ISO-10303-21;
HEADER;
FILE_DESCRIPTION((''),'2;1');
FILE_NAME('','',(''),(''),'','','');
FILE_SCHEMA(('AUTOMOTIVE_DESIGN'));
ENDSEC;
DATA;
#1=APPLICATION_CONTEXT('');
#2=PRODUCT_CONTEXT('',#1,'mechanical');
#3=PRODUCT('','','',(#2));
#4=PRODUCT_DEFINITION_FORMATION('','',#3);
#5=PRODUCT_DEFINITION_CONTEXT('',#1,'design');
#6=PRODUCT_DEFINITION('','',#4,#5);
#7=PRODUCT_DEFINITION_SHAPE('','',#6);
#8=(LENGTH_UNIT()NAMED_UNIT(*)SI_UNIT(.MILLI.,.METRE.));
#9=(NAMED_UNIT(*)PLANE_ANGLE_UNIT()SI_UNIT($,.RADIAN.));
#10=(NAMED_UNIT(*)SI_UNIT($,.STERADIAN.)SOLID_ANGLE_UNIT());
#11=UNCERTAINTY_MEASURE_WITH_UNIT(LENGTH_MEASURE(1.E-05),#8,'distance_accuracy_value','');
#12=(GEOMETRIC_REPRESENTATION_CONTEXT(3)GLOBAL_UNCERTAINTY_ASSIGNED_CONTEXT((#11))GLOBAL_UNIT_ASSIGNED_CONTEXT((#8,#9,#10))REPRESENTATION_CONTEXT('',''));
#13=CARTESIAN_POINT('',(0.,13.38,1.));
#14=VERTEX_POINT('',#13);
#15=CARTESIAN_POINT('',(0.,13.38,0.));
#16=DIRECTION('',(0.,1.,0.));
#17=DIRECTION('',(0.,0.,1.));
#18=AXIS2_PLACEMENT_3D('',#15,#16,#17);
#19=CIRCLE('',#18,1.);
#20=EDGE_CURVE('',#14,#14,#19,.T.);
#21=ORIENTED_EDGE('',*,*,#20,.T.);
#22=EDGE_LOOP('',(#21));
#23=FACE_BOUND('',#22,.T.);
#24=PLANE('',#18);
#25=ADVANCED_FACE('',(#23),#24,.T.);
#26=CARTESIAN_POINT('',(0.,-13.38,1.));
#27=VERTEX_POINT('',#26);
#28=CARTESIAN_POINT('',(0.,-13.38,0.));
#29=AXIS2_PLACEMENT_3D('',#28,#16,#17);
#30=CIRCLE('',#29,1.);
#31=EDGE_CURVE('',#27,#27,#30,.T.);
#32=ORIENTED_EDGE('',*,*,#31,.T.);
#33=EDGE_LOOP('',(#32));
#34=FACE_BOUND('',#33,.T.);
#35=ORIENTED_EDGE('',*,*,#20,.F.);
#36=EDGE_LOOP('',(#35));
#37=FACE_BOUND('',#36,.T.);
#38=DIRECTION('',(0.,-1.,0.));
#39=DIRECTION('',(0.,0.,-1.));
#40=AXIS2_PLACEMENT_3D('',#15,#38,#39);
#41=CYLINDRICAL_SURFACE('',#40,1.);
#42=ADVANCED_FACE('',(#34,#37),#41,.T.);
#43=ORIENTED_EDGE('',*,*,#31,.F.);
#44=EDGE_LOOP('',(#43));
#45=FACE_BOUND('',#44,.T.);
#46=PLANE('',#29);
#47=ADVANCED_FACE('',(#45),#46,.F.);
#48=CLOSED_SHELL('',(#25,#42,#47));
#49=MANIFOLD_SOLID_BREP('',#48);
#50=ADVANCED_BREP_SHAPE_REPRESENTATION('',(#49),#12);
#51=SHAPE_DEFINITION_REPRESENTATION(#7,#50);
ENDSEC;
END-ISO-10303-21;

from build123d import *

# Parameters (mm, degrees)
SKETCH1_R           = 1
BOSS_EXTRUDE1_DEPTH = 13.38


with BuildPart() as part:
    # Sketch1 → Boss-Extrude1 (new body, symmetric)
    with BuildSketch(Plane(origin=(0, 0, 0), x_dir=(1, 0, 0), z_dir=(0, 1, 0))):
        Circle(SKETCH1_R)
    extrude(amount=BOSS_EXTRUDE1_DEPTH, both=True)


solid = part.part
